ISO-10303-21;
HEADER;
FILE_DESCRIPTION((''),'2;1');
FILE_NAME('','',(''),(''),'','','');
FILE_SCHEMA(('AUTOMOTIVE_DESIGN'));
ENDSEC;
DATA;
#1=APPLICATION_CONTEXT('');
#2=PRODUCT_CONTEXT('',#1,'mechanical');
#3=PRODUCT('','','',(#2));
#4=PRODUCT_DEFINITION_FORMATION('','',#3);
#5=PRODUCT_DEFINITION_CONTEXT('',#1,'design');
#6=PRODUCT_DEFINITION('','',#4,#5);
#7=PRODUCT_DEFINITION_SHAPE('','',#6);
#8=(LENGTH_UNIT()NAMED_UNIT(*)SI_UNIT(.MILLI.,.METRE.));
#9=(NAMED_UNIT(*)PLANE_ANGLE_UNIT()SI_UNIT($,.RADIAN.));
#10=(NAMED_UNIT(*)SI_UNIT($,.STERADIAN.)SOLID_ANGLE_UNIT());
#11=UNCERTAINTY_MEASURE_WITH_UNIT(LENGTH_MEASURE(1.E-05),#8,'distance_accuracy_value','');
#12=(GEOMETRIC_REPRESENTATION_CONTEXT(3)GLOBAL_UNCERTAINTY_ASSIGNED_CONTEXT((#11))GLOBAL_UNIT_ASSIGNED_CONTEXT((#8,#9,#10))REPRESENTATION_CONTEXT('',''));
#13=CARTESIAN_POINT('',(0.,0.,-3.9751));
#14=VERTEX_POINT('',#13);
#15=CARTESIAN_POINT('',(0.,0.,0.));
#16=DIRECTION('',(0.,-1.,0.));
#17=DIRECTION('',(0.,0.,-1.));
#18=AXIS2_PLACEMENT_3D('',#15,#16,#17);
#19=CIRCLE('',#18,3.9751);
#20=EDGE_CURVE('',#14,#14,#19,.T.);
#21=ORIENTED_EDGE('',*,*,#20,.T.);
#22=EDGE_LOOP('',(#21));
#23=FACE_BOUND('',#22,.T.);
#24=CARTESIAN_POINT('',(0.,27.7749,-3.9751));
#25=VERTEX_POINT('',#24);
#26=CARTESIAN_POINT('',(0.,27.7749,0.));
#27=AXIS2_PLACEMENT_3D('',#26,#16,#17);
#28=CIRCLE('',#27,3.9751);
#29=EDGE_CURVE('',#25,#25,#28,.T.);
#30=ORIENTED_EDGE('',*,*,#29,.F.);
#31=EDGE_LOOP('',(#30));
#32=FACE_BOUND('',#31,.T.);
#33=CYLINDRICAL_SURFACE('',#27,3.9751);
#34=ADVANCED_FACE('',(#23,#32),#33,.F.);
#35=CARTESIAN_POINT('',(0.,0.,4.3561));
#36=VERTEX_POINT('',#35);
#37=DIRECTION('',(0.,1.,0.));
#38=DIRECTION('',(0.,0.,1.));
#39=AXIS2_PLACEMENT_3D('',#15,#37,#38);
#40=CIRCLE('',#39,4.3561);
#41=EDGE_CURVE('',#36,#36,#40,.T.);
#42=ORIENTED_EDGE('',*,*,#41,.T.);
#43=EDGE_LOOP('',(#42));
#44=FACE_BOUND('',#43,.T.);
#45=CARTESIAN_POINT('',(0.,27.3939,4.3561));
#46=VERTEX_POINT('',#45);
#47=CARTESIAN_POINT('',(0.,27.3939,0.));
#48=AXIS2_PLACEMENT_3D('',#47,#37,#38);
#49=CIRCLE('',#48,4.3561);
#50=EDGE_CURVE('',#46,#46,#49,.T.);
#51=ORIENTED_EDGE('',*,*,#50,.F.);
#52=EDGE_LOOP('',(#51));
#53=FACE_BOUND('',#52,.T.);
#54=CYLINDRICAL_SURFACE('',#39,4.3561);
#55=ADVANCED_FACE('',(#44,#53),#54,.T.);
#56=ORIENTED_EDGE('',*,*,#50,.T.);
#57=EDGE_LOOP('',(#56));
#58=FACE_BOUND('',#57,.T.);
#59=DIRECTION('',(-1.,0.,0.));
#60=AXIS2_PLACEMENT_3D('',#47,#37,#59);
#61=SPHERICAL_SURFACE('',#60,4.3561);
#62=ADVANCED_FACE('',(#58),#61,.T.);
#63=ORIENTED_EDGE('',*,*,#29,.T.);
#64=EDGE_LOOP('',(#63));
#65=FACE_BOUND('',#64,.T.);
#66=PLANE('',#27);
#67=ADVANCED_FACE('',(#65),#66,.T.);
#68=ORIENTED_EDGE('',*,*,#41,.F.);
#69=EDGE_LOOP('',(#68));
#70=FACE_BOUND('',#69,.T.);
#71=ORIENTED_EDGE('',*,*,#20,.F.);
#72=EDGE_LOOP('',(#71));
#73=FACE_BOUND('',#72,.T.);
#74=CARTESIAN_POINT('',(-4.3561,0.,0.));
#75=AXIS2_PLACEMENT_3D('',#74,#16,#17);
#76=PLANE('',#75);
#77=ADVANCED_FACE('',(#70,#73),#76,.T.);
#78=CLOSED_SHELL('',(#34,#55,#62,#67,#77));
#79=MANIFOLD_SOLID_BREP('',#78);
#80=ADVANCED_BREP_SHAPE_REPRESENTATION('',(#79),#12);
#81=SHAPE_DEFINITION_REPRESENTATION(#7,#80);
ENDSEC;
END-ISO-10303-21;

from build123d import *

# Parameters (mm, degrees)
SKETCH2_R          = 3.9751
CUT_EXTRUDE1_DEPTH = 27.7749


with BuildPart() as part:
    # Sketch1 → Revolve1 (revolve)
    with BuildSketch(Plane.XY):
        with BuildLine():
            Line((-4.3561, 0), (-4.3561, 27.3939))
            ThreePointArc((-4.3561, 27.3939), (-3.08022785, 30.47412785), (0, 31.75))
            Line((0, 31.75), (0, 0))
            Line((0, 0), (-4.3561, 0))
        make_face()
    revolve(axis=Axis((0, 0, 0), (0, -1, 0)))

    # Sketch2 → Cut-Extrude1 (cut)
    with BuildSketch(Plane.XZ):
        Circle(SKETCH2_R)
    extrude(amount=-CUT_EXTRUDE1_DEPTH, mode=Mode.SUBTRACT)


solid = part.part
